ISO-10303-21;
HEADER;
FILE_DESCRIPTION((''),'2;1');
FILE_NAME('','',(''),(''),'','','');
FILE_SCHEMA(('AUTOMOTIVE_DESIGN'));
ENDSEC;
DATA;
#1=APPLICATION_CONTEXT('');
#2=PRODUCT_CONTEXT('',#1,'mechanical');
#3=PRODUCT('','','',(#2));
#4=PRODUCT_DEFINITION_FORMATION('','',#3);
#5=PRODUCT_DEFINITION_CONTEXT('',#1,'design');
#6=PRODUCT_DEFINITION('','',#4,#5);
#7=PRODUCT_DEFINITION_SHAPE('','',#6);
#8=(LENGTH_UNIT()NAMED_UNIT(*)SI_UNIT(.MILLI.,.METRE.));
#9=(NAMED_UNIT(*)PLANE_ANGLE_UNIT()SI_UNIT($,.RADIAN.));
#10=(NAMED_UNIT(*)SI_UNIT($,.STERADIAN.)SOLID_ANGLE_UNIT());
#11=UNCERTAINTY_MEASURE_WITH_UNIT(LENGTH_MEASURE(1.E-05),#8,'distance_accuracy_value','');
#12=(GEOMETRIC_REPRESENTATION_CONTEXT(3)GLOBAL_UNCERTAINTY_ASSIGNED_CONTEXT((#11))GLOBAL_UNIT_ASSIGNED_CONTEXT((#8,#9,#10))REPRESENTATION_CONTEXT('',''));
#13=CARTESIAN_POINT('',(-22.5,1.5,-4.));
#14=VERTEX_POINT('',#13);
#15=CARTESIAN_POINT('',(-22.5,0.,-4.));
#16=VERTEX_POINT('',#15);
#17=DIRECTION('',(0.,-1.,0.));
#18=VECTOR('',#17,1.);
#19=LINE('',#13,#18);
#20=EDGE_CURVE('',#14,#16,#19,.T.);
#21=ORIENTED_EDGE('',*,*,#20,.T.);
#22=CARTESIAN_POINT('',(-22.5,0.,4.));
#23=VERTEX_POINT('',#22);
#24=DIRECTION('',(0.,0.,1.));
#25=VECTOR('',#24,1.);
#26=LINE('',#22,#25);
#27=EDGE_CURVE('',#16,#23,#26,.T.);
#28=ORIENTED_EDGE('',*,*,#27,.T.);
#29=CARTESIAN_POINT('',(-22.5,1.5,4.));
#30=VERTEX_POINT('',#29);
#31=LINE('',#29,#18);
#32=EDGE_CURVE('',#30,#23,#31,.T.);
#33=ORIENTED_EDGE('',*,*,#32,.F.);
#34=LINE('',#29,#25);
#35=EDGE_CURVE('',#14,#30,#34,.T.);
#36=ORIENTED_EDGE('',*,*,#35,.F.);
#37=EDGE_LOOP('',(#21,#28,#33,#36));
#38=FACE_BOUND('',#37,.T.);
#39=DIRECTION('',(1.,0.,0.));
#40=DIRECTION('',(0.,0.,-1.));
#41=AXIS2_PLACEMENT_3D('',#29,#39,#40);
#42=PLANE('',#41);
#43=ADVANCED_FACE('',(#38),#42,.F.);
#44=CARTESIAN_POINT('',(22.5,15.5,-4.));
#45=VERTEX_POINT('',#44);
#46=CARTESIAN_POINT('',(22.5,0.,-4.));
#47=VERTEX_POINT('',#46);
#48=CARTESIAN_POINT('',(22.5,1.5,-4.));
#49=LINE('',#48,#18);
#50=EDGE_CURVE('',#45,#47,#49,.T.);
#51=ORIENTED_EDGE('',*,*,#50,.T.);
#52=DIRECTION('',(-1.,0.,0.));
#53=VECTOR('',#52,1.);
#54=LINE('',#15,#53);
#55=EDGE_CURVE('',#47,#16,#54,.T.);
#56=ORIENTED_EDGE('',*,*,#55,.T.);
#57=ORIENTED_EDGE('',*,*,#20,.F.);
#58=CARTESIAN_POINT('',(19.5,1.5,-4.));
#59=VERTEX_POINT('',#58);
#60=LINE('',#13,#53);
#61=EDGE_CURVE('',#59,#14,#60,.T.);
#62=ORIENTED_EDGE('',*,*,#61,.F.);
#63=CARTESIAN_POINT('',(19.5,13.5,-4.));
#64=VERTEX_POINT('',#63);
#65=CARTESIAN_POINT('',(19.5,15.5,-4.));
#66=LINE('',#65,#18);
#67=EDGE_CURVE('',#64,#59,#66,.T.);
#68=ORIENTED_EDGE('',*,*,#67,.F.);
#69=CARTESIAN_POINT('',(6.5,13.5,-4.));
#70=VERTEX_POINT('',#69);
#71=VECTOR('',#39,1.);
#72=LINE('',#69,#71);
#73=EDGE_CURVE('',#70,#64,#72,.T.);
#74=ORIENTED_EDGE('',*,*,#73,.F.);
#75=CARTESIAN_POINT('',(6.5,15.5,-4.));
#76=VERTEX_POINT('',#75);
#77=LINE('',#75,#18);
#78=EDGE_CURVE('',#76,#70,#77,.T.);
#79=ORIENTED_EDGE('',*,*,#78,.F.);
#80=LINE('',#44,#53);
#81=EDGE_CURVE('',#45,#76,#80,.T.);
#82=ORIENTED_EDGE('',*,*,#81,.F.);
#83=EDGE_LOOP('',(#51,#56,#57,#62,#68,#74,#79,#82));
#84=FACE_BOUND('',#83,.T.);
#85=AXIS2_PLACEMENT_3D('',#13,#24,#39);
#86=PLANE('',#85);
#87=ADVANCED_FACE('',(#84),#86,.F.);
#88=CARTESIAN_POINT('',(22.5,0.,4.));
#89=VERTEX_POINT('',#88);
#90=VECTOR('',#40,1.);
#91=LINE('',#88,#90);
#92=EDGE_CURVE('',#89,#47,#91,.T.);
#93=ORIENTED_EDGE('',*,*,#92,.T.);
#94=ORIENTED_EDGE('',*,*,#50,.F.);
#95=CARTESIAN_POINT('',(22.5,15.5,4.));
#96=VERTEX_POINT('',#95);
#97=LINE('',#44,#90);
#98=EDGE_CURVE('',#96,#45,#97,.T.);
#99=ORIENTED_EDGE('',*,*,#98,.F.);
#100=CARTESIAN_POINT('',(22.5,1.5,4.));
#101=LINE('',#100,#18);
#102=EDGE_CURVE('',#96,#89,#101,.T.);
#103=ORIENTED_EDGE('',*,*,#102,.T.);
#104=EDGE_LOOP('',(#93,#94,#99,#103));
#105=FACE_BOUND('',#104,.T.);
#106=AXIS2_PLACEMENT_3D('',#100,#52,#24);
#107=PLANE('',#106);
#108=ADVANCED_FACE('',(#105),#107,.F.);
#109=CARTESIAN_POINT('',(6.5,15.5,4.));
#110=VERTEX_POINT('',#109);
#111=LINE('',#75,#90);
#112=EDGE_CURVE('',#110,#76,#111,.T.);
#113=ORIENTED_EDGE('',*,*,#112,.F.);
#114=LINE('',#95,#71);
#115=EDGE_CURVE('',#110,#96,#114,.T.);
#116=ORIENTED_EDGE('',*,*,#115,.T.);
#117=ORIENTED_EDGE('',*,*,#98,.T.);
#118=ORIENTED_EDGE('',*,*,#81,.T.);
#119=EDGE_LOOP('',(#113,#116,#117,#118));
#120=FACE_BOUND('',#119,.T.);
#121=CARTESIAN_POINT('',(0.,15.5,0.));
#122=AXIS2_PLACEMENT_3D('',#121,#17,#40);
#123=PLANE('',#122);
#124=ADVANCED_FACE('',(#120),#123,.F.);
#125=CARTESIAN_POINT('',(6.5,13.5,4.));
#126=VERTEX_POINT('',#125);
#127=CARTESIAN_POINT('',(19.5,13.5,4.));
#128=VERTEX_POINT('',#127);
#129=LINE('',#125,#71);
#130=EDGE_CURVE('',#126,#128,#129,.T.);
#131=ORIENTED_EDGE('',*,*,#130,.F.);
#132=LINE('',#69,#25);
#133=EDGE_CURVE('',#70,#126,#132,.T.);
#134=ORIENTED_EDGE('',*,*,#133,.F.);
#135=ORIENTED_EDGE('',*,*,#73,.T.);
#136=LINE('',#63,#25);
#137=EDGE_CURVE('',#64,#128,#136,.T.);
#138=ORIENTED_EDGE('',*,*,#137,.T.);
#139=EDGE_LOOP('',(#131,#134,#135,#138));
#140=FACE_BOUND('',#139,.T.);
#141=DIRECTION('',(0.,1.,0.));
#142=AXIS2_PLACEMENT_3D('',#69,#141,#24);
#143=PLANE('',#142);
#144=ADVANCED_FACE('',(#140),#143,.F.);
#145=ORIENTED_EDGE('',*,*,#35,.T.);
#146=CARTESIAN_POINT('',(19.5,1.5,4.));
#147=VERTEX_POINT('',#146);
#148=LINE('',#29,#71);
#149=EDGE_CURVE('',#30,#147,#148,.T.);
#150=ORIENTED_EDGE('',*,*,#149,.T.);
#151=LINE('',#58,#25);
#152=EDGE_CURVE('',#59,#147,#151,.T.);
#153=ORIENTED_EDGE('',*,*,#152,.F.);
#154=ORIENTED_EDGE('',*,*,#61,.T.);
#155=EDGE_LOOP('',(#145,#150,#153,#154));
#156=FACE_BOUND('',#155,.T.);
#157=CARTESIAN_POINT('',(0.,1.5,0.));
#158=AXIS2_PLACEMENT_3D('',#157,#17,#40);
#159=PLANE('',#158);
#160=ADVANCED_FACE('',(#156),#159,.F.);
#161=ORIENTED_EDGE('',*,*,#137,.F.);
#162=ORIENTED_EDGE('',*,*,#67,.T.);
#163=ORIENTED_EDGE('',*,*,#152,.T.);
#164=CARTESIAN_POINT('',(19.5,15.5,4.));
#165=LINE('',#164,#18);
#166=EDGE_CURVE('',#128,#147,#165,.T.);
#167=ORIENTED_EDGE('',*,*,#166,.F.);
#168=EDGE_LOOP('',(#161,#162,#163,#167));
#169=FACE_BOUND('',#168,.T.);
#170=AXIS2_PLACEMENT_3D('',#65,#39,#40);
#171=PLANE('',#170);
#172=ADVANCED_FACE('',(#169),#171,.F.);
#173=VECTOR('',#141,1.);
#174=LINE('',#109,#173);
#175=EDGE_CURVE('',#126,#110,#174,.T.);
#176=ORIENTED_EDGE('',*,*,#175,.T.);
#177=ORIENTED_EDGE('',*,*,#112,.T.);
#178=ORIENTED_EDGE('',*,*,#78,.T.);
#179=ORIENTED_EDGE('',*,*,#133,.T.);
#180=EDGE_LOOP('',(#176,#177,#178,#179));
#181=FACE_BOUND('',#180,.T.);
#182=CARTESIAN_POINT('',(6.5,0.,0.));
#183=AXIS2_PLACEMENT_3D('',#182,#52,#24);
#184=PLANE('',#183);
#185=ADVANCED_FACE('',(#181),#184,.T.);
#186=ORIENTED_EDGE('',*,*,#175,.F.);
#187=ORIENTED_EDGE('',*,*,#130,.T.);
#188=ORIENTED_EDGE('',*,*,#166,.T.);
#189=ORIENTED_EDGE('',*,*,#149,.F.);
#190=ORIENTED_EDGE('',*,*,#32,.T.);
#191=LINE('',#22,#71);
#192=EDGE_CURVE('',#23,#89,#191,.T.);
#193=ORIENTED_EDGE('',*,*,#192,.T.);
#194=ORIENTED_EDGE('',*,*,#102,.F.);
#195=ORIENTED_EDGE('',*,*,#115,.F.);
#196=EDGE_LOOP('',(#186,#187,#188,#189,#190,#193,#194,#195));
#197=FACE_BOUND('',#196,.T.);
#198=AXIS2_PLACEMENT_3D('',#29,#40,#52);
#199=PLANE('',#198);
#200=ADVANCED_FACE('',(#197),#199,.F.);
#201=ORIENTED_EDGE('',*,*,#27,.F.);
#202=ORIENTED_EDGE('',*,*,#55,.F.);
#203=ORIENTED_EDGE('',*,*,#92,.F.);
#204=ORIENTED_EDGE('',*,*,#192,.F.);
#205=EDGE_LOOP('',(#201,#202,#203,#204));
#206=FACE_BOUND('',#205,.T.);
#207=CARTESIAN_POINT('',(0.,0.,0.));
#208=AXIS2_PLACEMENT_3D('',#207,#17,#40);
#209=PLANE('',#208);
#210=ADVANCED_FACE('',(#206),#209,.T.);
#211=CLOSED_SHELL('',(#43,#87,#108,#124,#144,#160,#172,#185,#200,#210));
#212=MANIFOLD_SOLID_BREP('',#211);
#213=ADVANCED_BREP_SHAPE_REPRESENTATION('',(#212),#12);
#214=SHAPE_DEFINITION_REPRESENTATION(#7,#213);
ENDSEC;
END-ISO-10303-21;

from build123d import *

# Parameters (mm, degrees)
SKETCH1_W           = 45
SKETCH1_H           = 8
BOSS_EXTRUDE1_DEPTH = 1.5
SKETCH2_W           = 3
SKETCH2_H           = 8
BOSS_EXTRUDE2_DEPTH = 14
SKETCH3_W           = 8
SKETCH3_H           = 2
BOSS_EXTRUDE3_DEPTH = 13


with BuildPart() as part:
    # Sketch1 → Boss-Extrude1 (new body)
    with BuildSketch(Plane(origin=(0, 0, 0), x_dir=(1, 0, 0), z_dir=(0, 1, 0))):
        Rectangle(SKETCH1_W, SKETCH1_H)
    extrude(amount=BOSS_EXTRUDE1_DEPTH)

    # Sketch2 → Boss-Extrude2 (add)
    with BuildSketch(Plane(origin=(0, 1.5, 0), x_dir=(1, 0, 0), z_dir=(0, 1, 0))):
        with Locations((21, 0)):
            Rectangle(SKETCH2_W, SKETCH2_H)
    extrude(amount=BOSS_EXTRUDE2_DEPTH)

    # Sketch3 → Boss-Extrude3 (add)
    with BuildSketch(Plane.ZY.offset(-19.5)):
        with Locations((0, 14.5)):
            Rectangle(SKETCH3_W, SKETCH3_H)
    extrude(amount=BOSS_EXTRUDE3_DEPTH)


solid = part.part
